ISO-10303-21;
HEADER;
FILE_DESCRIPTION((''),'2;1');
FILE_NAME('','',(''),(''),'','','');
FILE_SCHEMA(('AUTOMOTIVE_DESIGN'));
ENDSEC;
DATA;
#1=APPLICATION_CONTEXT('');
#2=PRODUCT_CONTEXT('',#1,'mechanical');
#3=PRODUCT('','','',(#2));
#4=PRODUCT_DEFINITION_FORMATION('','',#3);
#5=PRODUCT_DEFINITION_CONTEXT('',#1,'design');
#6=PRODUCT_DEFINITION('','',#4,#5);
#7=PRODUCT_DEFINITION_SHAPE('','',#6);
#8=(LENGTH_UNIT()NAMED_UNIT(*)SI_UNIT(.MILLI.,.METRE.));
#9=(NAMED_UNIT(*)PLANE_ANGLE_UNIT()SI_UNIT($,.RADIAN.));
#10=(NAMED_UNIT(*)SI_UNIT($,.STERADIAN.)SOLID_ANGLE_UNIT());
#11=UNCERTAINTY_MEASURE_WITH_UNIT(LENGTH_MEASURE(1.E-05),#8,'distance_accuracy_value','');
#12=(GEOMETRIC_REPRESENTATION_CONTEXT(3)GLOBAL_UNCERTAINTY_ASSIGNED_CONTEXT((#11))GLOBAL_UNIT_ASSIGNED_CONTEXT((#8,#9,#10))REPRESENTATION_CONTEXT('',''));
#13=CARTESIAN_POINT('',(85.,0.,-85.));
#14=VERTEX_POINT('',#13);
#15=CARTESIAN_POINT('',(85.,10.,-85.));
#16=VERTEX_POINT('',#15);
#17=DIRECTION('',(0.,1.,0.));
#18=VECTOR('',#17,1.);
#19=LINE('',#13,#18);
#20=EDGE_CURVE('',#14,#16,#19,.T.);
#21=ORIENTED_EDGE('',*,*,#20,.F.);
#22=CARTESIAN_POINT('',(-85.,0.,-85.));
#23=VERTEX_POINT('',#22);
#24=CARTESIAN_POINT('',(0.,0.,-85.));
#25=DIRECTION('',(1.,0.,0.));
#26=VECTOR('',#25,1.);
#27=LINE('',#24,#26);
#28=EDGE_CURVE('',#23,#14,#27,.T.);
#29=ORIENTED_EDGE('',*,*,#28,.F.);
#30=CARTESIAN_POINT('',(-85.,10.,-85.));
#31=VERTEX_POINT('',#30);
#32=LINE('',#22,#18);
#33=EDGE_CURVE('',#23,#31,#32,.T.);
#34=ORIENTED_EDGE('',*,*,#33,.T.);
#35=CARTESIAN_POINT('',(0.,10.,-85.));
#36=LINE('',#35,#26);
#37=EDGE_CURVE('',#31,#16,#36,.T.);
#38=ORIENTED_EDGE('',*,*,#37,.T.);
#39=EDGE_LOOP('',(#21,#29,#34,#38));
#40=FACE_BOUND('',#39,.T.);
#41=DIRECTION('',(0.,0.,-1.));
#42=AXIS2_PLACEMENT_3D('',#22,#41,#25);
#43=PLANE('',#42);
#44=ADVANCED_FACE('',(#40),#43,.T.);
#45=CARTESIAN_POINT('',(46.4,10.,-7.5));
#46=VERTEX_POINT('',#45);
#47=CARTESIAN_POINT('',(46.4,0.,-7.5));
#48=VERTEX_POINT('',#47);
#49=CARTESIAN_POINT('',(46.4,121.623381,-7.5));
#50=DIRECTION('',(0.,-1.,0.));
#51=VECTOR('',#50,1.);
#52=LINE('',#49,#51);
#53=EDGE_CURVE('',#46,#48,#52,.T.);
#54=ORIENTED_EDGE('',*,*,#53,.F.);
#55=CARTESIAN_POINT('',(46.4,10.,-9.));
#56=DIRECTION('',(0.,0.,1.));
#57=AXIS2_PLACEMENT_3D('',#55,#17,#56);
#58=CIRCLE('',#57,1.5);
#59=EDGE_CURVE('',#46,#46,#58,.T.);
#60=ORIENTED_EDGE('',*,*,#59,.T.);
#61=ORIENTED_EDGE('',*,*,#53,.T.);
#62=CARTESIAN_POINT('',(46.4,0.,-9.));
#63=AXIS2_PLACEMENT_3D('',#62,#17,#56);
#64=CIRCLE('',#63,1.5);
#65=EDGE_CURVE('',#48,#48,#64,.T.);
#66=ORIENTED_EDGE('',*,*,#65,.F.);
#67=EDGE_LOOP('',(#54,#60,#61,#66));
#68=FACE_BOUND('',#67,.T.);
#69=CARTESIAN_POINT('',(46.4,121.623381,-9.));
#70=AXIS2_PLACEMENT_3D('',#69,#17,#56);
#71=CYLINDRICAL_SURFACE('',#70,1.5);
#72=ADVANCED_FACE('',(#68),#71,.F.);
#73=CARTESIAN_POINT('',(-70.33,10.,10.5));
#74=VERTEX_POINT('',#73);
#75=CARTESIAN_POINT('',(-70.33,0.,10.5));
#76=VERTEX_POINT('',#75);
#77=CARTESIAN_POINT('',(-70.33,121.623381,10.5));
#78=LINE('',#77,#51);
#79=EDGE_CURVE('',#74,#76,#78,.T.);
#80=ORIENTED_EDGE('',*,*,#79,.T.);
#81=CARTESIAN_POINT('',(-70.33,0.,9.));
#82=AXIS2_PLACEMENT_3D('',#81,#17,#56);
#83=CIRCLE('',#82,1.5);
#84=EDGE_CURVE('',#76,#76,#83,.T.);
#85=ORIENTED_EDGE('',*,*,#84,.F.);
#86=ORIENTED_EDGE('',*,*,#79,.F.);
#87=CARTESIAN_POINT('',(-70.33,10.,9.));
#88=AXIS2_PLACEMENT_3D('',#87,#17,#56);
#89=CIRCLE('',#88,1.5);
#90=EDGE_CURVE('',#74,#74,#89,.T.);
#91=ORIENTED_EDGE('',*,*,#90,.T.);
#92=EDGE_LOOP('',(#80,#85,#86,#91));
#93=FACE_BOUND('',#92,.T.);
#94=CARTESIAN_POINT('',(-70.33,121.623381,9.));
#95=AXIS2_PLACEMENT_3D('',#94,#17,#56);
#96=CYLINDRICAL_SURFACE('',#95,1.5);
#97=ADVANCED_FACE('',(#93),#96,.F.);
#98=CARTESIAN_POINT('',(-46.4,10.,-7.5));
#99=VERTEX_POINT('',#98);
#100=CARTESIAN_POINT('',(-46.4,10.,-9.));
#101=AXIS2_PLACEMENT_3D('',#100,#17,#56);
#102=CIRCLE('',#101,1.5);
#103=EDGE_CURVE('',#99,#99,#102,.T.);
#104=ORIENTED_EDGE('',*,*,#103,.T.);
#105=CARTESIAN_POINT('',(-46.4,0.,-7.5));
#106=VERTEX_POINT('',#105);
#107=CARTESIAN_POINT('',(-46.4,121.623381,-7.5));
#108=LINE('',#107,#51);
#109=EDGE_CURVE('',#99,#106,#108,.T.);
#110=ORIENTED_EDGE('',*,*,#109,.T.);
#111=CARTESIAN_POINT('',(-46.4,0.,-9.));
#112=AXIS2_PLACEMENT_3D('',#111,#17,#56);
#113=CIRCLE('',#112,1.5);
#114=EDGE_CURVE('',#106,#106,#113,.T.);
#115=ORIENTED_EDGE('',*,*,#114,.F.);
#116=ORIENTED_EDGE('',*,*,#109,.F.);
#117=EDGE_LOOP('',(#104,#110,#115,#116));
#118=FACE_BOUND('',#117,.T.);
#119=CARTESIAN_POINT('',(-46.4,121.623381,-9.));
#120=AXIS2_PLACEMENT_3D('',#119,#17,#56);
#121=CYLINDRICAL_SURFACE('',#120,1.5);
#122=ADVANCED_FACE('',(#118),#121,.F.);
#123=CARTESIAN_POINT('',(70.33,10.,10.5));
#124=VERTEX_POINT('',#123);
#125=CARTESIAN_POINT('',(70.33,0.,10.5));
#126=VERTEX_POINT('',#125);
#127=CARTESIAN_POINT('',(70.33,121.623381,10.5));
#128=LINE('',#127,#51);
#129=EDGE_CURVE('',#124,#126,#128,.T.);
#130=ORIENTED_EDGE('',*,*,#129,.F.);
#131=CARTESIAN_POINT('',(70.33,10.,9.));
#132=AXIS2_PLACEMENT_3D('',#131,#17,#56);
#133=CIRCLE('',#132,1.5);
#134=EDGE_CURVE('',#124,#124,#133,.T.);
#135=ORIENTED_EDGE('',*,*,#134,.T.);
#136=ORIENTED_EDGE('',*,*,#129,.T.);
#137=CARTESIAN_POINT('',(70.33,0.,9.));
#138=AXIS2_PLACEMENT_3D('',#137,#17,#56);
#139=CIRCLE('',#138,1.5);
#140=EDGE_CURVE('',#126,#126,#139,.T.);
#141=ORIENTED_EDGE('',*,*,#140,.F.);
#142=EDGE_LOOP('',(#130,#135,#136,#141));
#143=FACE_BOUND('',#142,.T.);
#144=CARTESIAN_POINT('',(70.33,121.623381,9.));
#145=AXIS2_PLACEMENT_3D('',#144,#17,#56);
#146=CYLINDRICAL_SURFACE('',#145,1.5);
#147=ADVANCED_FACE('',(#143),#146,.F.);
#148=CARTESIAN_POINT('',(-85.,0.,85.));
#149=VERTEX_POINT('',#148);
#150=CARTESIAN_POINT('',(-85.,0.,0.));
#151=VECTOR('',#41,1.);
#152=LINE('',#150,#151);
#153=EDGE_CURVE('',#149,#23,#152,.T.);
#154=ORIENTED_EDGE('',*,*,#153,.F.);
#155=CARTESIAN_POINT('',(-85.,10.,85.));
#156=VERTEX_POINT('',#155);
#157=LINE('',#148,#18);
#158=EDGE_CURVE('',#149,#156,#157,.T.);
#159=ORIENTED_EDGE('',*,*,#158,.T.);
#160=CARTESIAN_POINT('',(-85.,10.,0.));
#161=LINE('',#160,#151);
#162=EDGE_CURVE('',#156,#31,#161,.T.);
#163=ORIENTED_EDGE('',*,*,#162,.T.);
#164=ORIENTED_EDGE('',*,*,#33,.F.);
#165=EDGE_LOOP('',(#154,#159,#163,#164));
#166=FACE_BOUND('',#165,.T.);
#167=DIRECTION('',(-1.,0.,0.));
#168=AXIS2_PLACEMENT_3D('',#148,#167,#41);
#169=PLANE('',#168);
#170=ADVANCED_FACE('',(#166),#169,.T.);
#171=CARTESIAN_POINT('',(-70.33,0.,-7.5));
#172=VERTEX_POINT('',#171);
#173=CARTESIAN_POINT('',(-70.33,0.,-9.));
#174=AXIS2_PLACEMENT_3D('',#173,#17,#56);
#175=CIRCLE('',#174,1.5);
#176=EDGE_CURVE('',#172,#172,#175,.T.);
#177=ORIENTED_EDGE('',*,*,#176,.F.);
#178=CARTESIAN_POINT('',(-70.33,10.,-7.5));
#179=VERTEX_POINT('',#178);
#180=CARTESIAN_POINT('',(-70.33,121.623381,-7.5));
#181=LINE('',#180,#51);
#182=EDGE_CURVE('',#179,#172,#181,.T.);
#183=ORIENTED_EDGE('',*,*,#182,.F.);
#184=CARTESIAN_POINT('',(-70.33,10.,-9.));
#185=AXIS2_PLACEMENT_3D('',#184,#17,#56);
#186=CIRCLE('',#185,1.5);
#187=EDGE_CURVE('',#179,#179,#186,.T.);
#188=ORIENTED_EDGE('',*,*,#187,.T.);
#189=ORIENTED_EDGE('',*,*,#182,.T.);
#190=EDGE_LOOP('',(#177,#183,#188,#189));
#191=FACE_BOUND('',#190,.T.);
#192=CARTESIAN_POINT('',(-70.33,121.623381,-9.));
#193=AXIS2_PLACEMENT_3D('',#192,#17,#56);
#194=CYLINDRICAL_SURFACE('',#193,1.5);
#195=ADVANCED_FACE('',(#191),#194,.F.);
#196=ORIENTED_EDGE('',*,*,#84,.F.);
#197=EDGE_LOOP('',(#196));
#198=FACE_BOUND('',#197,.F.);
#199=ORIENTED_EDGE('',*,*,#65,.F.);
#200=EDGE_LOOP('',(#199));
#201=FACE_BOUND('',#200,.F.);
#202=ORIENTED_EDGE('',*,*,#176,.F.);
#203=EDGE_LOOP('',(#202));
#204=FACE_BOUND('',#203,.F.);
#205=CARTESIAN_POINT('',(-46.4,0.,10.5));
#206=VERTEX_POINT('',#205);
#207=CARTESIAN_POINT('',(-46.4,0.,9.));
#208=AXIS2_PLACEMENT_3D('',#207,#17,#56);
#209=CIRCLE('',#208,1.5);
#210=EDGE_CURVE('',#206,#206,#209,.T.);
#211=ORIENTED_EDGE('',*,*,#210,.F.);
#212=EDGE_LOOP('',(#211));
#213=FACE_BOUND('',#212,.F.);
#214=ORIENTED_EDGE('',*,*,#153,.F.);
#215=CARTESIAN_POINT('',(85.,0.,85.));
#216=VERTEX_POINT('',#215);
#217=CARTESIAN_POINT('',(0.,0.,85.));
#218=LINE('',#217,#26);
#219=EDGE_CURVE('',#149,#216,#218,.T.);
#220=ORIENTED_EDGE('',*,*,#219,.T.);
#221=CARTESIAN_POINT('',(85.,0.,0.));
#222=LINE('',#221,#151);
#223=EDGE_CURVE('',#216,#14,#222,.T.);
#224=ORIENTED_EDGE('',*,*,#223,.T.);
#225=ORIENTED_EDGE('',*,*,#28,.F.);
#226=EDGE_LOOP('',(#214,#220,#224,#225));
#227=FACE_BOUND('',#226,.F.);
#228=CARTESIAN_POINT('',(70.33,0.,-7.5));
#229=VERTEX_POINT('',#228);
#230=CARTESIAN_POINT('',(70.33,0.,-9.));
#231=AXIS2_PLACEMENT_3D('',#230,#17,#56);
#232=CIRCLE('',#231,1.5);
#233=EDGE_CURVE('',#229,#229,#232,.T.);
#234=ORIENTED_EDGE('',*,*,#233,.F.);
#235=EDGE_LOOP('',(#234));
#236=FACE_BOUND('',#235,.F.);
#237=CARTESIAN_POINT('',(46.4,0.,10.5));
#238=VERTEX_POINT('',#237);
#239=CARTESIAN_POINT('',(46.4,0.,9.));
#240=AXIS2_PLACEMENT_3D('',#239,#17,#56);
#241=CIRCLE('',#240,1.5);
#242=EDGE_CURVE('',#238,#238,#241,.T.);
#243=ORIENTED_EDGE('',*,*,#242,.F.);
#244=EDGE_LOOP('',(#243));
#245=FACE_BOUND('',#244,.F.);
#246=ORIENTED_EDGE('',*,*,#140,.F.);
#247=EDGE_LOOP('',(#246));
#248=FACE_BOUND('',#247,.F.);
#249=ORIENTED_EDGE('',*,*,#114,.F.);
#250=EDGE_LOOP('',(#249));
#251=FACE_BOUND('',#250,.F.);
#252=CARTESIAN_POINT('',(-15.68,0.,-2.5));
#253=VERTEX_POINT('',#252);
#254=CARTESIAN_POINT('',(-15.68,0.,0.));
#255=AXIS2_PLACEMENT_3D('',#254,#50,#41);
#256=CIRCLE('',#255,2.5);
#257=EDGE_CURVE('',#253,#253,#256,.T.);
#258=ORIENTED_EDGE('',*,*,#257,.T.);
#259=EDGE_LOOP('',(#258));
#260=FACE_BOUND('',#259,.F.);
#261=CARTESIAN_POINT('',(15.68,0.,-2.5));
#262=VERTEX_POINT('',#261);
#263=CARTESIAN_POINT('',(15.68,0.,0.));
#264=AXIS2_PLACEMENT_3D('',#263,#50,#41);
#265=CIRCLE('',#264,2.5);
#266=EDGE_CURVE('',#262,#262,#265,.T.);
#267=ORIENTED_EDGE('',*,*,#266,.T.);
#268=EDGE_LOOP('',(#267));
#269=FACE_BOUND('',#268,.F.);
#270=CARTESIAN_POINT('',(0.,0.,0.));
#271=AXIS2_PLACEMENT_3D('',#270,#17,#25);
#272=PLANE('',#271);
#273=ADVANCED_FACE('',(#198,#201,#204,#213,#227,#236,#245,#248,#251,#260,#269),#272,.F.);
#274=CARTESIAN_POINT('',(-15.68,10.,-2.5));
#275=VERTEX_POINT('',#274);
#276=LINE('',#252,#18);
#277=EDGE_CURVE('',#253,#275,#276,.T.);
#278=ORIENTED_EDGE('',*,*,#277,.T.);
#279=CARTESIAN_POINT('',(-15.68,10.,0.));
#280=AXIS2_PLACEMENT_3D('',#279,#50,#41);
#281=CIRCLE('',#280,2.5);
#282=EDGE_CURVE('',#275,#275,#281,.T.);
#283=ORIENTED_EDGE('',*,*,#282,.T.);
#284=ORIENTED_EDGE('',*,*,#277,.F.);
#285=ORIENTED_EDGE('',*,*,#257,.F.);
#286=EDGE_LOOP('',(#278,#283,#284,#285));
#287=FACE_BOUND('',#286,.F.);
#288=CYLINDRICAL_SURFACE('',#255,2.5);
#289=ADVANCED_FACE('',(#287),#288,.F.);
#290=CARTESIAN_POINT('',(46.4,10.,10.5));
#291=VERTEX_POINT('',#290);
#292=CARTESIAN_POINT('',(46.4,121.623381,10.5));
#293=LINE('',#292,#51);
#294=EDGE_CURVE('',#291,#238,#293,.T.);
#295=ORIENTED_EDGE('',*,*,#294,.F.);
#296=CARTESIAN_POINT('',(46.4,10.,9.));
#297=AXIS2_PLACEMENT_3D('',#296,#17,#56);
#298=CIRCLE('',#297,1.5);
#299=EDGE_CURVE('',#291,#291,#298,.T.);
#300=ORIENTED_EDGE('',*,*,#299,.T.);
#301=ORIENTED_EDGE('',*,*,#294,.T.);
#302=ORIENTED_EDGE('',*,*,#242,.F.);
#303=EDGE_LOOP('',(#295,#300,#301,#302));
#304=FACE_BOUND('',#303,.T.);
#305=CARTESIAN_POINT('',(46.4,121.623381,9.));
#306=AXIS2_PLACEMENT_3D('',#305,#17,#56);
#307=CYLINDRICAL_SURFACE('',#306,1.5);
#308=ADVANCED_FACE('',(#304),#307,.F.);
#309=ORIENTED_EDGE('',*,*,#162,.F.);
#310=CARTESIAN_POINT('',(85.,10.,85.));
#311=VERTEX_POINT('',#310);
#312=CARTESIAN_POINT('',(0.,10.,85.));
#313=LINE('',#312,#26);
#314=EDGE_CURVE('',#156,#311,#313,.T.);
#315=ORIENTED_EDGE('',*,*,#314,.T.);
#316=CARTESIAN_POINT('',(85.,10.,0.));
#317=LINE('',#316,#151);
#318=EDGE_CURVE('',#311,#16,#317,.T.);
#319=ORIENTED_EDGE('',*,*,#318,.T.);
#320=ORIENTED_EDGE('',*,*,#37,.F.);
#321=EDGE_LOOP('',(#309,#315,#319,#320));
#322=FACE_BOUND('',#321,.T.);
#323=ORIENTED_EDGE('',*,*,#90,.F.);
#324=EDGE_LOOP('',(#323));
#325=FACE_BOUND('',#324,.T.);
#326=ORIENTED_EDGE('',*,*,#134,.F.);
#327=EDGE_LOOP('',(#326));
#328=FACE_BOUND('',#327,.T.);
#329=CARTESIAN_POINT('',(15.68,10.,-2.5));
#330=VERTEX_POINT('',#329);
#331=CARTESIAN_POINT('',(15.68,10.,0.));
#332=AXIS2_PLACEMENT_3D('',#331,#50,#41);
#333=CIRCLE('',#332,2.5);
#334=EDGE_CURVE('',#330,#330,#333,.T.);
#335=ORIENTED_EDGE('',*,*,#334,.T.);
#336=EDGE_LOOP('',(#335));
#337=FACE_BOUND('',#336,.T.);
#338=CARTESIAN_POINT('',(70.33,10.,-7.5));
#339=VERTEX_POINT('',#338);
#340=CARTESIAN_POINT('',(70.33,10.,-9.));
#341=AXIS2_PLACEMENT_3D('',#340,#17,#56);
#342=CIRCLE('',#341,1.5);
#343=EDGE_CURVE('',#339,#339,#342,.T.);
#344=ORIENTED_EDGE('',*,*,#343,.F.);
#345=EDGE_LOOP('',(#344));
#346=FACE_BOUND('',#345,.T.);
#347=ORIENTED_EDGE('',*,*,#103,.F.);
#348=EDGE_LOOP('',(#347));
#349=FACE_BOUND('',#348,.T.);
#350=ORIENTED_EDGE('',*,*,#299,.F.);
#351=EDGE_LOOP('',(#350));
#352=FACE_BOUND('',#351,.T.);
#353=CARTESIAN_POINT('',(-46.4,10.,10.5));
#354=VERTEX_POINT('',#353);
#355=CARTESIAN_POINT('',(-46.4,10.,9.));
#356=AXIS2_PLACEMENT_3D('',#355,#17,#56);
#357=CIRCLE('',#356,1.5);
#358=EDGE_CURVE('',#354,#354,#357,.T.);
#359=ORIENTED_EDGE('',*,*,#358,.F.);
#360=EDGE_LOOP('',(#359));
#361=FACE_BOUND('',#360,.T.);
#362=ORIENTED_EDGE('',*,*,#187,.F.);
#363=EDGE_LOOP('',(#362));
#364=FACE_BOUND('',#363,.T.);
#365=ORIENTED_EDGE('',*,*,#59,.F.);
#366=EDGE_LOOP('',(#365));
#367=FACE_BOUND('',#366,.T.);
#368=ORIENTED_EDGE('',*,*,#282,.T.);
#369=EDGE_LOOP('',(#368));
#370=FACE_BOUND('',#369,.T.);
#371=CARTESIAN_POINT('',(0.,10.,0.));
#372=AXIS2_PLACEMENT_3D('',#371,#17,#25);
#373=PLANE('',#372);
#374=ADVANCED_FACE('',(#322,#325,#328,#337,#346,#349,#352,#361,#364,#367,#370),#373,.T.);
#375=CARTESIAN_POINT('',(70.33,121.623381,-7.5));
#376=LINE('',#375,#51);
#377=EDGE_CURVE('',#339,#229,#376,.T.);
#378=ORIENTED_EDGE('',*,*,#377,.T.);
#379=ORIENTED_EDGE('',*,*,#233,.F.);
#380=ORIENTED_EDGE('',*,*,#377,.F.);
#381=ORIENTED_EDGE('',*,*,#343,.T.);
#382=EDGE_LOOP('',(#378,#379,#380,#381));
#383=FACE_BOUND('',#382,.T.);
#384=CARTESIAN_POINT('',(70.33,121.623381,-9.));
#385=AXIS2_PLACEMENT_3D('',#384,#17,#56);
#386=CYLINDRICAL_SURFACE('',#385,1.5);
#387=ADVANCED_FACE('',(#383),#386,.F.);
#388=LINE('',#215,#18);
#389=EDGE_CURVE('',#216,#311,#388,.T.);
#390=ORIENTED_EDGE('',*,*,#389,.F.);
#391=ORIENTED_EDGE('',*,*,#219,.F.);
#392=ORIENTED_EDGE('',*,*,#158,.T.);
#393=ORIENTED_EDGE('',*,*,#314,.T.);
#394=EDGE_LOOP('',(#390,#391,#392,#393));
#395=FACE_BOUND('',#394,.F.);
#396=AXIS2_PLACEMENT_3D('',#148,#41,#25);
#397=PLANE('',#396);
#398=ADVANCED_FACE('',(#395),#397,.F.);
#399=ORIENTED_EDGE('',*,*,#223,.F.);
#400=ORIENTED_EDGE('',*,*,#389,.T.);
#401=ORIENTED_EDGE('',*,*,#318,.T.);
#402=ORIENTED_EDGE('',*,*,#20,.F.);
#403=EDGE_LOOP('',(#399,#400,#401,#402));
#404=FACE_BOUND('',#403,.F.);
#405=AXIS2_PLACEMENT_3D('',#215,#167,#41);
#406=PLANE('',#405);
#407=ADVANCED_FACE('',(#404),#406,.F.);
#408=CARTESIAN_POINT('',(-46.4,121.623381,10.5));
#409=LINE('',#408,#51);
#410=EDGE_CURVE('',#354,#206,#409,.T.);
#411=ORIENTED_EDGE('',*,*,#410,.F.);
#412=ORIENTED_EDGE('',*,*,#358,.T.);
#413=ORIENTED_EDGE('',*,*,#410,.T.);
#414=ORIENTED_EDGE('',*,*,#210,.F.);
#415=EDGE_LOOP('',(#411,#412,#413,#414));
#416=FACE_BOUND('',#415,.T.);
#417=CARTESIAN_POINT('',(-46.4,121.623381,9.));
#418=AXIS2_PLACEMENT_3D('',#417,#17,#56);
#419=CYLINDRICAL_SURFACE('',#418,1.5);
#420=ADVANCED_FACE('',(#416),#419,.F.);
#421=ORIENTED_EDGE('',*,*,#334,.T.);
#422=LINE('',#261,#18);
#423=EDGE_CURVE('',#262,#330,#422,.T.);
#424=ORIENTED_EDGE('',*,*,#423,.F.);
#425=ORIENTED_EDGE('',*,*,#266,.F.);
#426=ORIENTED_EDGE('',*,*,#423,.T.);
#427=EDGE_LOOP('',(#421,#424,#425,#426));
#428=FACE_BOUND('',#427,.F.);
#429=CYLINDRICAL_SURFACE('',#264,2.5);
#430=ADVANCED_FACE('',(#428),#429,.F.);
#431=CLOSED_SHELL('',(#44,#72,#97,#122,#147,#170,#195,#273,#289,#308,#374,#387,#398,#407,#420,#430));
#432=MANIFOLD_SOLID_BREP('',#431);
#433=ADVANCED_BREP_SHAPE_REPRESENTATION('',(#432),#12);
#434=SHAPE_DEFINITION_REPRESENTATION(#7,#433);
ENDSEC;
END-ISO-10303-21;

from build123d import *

# Parameters (mm, degrees)
SKETCH2_W               = 170
SKETCH2_H               = 170
BOSS_EXTRUDE1_DEPTH     = 10
CUT_EXTRUDE2_DEPTH      = 121.623380818
CUT_EXTRUDE2_DEPTH_BACK = 121.623380818
SKETCH4_R               = 1.5
SKETCH6_R               = 2.5
CUT_EXTRUDE6_DEPTH      = 10


with BuildPart() as part:
    # Sketch2 → Boss-Extrude1 (new body)
    with BuildSketch(Plane(origin=(0, 0, 0), x_dir=(1, 0, 0), z_dir=(0, 1, 0))):
        Rectangle(SKETCH2_W, SKETCH2_H)
    extrude(amount=BOSS_EXTRUDE1_DEPTH)

    # Sketch4 → Cut-Extrude2 (cut, two sides: drawn at the far end of the back side and taken through both)
    with BuildSketch(Plane(origin=(0, 0, 0), x_dir=(-1, 0, 0), z_dir=(0, -1, 0)).offset(-CUT_EXTRUDE2_DEPTH_BACK)):
        with Locations(Location((-70.33, -9, 0), (0, 0, 270))):
            Circle(SKETCH4_R)
        with Locations(Location((-70.33, 9, 0), (0, 0, 270))):
            Circle(SKETCH4_R)
        with Locations(Location((70.33, 9, 0), (0, 0, 270))):
            Circle(SKETCH4_R)
        with Locations(Location((70.33, -9, 0), (0, 0, 270))):
            Circle(SKETCH4_R)
        with Locations(Location((46.4, 9, 0), (0, 0, 270))):
            Circle(SKETCH4_R)
        with Locations(Location((46.4, -9, 0), (0, 0, 270))):
            Circle(SKETCH4_R)
        with Locations(Location((-46.4, -9, 0), (0, 0, 270))):
            Circle(SKETCH4_R)
        with Locations(Location((-46.4, 9, 0), (0, 0, 270))):
            Circle(SKETCH4_R)
    extrude(amount=CUT_EXTRUDE2_DEPTH + CUT_EXTRUDE2_DEPTH_BACK, mode=Mode.SUBTRACT)

    # Sketch6 → Cut-Extrude6 (cut)
    with BuildSketch(Plane.XZ):
        with Locations(Location((-15.68, 0, 0), (0, 0, 270))):
            Circle(SKETCH6_R)
        with Locations(Location((15.68, 0, 0), (0, 0, 270))):
            Circle(SKETCH6_R)
    extrude(amount=-CUT_EXTRUDE6_DEPTH, mode=Mode.SUBTRACT)


solid = part.part
